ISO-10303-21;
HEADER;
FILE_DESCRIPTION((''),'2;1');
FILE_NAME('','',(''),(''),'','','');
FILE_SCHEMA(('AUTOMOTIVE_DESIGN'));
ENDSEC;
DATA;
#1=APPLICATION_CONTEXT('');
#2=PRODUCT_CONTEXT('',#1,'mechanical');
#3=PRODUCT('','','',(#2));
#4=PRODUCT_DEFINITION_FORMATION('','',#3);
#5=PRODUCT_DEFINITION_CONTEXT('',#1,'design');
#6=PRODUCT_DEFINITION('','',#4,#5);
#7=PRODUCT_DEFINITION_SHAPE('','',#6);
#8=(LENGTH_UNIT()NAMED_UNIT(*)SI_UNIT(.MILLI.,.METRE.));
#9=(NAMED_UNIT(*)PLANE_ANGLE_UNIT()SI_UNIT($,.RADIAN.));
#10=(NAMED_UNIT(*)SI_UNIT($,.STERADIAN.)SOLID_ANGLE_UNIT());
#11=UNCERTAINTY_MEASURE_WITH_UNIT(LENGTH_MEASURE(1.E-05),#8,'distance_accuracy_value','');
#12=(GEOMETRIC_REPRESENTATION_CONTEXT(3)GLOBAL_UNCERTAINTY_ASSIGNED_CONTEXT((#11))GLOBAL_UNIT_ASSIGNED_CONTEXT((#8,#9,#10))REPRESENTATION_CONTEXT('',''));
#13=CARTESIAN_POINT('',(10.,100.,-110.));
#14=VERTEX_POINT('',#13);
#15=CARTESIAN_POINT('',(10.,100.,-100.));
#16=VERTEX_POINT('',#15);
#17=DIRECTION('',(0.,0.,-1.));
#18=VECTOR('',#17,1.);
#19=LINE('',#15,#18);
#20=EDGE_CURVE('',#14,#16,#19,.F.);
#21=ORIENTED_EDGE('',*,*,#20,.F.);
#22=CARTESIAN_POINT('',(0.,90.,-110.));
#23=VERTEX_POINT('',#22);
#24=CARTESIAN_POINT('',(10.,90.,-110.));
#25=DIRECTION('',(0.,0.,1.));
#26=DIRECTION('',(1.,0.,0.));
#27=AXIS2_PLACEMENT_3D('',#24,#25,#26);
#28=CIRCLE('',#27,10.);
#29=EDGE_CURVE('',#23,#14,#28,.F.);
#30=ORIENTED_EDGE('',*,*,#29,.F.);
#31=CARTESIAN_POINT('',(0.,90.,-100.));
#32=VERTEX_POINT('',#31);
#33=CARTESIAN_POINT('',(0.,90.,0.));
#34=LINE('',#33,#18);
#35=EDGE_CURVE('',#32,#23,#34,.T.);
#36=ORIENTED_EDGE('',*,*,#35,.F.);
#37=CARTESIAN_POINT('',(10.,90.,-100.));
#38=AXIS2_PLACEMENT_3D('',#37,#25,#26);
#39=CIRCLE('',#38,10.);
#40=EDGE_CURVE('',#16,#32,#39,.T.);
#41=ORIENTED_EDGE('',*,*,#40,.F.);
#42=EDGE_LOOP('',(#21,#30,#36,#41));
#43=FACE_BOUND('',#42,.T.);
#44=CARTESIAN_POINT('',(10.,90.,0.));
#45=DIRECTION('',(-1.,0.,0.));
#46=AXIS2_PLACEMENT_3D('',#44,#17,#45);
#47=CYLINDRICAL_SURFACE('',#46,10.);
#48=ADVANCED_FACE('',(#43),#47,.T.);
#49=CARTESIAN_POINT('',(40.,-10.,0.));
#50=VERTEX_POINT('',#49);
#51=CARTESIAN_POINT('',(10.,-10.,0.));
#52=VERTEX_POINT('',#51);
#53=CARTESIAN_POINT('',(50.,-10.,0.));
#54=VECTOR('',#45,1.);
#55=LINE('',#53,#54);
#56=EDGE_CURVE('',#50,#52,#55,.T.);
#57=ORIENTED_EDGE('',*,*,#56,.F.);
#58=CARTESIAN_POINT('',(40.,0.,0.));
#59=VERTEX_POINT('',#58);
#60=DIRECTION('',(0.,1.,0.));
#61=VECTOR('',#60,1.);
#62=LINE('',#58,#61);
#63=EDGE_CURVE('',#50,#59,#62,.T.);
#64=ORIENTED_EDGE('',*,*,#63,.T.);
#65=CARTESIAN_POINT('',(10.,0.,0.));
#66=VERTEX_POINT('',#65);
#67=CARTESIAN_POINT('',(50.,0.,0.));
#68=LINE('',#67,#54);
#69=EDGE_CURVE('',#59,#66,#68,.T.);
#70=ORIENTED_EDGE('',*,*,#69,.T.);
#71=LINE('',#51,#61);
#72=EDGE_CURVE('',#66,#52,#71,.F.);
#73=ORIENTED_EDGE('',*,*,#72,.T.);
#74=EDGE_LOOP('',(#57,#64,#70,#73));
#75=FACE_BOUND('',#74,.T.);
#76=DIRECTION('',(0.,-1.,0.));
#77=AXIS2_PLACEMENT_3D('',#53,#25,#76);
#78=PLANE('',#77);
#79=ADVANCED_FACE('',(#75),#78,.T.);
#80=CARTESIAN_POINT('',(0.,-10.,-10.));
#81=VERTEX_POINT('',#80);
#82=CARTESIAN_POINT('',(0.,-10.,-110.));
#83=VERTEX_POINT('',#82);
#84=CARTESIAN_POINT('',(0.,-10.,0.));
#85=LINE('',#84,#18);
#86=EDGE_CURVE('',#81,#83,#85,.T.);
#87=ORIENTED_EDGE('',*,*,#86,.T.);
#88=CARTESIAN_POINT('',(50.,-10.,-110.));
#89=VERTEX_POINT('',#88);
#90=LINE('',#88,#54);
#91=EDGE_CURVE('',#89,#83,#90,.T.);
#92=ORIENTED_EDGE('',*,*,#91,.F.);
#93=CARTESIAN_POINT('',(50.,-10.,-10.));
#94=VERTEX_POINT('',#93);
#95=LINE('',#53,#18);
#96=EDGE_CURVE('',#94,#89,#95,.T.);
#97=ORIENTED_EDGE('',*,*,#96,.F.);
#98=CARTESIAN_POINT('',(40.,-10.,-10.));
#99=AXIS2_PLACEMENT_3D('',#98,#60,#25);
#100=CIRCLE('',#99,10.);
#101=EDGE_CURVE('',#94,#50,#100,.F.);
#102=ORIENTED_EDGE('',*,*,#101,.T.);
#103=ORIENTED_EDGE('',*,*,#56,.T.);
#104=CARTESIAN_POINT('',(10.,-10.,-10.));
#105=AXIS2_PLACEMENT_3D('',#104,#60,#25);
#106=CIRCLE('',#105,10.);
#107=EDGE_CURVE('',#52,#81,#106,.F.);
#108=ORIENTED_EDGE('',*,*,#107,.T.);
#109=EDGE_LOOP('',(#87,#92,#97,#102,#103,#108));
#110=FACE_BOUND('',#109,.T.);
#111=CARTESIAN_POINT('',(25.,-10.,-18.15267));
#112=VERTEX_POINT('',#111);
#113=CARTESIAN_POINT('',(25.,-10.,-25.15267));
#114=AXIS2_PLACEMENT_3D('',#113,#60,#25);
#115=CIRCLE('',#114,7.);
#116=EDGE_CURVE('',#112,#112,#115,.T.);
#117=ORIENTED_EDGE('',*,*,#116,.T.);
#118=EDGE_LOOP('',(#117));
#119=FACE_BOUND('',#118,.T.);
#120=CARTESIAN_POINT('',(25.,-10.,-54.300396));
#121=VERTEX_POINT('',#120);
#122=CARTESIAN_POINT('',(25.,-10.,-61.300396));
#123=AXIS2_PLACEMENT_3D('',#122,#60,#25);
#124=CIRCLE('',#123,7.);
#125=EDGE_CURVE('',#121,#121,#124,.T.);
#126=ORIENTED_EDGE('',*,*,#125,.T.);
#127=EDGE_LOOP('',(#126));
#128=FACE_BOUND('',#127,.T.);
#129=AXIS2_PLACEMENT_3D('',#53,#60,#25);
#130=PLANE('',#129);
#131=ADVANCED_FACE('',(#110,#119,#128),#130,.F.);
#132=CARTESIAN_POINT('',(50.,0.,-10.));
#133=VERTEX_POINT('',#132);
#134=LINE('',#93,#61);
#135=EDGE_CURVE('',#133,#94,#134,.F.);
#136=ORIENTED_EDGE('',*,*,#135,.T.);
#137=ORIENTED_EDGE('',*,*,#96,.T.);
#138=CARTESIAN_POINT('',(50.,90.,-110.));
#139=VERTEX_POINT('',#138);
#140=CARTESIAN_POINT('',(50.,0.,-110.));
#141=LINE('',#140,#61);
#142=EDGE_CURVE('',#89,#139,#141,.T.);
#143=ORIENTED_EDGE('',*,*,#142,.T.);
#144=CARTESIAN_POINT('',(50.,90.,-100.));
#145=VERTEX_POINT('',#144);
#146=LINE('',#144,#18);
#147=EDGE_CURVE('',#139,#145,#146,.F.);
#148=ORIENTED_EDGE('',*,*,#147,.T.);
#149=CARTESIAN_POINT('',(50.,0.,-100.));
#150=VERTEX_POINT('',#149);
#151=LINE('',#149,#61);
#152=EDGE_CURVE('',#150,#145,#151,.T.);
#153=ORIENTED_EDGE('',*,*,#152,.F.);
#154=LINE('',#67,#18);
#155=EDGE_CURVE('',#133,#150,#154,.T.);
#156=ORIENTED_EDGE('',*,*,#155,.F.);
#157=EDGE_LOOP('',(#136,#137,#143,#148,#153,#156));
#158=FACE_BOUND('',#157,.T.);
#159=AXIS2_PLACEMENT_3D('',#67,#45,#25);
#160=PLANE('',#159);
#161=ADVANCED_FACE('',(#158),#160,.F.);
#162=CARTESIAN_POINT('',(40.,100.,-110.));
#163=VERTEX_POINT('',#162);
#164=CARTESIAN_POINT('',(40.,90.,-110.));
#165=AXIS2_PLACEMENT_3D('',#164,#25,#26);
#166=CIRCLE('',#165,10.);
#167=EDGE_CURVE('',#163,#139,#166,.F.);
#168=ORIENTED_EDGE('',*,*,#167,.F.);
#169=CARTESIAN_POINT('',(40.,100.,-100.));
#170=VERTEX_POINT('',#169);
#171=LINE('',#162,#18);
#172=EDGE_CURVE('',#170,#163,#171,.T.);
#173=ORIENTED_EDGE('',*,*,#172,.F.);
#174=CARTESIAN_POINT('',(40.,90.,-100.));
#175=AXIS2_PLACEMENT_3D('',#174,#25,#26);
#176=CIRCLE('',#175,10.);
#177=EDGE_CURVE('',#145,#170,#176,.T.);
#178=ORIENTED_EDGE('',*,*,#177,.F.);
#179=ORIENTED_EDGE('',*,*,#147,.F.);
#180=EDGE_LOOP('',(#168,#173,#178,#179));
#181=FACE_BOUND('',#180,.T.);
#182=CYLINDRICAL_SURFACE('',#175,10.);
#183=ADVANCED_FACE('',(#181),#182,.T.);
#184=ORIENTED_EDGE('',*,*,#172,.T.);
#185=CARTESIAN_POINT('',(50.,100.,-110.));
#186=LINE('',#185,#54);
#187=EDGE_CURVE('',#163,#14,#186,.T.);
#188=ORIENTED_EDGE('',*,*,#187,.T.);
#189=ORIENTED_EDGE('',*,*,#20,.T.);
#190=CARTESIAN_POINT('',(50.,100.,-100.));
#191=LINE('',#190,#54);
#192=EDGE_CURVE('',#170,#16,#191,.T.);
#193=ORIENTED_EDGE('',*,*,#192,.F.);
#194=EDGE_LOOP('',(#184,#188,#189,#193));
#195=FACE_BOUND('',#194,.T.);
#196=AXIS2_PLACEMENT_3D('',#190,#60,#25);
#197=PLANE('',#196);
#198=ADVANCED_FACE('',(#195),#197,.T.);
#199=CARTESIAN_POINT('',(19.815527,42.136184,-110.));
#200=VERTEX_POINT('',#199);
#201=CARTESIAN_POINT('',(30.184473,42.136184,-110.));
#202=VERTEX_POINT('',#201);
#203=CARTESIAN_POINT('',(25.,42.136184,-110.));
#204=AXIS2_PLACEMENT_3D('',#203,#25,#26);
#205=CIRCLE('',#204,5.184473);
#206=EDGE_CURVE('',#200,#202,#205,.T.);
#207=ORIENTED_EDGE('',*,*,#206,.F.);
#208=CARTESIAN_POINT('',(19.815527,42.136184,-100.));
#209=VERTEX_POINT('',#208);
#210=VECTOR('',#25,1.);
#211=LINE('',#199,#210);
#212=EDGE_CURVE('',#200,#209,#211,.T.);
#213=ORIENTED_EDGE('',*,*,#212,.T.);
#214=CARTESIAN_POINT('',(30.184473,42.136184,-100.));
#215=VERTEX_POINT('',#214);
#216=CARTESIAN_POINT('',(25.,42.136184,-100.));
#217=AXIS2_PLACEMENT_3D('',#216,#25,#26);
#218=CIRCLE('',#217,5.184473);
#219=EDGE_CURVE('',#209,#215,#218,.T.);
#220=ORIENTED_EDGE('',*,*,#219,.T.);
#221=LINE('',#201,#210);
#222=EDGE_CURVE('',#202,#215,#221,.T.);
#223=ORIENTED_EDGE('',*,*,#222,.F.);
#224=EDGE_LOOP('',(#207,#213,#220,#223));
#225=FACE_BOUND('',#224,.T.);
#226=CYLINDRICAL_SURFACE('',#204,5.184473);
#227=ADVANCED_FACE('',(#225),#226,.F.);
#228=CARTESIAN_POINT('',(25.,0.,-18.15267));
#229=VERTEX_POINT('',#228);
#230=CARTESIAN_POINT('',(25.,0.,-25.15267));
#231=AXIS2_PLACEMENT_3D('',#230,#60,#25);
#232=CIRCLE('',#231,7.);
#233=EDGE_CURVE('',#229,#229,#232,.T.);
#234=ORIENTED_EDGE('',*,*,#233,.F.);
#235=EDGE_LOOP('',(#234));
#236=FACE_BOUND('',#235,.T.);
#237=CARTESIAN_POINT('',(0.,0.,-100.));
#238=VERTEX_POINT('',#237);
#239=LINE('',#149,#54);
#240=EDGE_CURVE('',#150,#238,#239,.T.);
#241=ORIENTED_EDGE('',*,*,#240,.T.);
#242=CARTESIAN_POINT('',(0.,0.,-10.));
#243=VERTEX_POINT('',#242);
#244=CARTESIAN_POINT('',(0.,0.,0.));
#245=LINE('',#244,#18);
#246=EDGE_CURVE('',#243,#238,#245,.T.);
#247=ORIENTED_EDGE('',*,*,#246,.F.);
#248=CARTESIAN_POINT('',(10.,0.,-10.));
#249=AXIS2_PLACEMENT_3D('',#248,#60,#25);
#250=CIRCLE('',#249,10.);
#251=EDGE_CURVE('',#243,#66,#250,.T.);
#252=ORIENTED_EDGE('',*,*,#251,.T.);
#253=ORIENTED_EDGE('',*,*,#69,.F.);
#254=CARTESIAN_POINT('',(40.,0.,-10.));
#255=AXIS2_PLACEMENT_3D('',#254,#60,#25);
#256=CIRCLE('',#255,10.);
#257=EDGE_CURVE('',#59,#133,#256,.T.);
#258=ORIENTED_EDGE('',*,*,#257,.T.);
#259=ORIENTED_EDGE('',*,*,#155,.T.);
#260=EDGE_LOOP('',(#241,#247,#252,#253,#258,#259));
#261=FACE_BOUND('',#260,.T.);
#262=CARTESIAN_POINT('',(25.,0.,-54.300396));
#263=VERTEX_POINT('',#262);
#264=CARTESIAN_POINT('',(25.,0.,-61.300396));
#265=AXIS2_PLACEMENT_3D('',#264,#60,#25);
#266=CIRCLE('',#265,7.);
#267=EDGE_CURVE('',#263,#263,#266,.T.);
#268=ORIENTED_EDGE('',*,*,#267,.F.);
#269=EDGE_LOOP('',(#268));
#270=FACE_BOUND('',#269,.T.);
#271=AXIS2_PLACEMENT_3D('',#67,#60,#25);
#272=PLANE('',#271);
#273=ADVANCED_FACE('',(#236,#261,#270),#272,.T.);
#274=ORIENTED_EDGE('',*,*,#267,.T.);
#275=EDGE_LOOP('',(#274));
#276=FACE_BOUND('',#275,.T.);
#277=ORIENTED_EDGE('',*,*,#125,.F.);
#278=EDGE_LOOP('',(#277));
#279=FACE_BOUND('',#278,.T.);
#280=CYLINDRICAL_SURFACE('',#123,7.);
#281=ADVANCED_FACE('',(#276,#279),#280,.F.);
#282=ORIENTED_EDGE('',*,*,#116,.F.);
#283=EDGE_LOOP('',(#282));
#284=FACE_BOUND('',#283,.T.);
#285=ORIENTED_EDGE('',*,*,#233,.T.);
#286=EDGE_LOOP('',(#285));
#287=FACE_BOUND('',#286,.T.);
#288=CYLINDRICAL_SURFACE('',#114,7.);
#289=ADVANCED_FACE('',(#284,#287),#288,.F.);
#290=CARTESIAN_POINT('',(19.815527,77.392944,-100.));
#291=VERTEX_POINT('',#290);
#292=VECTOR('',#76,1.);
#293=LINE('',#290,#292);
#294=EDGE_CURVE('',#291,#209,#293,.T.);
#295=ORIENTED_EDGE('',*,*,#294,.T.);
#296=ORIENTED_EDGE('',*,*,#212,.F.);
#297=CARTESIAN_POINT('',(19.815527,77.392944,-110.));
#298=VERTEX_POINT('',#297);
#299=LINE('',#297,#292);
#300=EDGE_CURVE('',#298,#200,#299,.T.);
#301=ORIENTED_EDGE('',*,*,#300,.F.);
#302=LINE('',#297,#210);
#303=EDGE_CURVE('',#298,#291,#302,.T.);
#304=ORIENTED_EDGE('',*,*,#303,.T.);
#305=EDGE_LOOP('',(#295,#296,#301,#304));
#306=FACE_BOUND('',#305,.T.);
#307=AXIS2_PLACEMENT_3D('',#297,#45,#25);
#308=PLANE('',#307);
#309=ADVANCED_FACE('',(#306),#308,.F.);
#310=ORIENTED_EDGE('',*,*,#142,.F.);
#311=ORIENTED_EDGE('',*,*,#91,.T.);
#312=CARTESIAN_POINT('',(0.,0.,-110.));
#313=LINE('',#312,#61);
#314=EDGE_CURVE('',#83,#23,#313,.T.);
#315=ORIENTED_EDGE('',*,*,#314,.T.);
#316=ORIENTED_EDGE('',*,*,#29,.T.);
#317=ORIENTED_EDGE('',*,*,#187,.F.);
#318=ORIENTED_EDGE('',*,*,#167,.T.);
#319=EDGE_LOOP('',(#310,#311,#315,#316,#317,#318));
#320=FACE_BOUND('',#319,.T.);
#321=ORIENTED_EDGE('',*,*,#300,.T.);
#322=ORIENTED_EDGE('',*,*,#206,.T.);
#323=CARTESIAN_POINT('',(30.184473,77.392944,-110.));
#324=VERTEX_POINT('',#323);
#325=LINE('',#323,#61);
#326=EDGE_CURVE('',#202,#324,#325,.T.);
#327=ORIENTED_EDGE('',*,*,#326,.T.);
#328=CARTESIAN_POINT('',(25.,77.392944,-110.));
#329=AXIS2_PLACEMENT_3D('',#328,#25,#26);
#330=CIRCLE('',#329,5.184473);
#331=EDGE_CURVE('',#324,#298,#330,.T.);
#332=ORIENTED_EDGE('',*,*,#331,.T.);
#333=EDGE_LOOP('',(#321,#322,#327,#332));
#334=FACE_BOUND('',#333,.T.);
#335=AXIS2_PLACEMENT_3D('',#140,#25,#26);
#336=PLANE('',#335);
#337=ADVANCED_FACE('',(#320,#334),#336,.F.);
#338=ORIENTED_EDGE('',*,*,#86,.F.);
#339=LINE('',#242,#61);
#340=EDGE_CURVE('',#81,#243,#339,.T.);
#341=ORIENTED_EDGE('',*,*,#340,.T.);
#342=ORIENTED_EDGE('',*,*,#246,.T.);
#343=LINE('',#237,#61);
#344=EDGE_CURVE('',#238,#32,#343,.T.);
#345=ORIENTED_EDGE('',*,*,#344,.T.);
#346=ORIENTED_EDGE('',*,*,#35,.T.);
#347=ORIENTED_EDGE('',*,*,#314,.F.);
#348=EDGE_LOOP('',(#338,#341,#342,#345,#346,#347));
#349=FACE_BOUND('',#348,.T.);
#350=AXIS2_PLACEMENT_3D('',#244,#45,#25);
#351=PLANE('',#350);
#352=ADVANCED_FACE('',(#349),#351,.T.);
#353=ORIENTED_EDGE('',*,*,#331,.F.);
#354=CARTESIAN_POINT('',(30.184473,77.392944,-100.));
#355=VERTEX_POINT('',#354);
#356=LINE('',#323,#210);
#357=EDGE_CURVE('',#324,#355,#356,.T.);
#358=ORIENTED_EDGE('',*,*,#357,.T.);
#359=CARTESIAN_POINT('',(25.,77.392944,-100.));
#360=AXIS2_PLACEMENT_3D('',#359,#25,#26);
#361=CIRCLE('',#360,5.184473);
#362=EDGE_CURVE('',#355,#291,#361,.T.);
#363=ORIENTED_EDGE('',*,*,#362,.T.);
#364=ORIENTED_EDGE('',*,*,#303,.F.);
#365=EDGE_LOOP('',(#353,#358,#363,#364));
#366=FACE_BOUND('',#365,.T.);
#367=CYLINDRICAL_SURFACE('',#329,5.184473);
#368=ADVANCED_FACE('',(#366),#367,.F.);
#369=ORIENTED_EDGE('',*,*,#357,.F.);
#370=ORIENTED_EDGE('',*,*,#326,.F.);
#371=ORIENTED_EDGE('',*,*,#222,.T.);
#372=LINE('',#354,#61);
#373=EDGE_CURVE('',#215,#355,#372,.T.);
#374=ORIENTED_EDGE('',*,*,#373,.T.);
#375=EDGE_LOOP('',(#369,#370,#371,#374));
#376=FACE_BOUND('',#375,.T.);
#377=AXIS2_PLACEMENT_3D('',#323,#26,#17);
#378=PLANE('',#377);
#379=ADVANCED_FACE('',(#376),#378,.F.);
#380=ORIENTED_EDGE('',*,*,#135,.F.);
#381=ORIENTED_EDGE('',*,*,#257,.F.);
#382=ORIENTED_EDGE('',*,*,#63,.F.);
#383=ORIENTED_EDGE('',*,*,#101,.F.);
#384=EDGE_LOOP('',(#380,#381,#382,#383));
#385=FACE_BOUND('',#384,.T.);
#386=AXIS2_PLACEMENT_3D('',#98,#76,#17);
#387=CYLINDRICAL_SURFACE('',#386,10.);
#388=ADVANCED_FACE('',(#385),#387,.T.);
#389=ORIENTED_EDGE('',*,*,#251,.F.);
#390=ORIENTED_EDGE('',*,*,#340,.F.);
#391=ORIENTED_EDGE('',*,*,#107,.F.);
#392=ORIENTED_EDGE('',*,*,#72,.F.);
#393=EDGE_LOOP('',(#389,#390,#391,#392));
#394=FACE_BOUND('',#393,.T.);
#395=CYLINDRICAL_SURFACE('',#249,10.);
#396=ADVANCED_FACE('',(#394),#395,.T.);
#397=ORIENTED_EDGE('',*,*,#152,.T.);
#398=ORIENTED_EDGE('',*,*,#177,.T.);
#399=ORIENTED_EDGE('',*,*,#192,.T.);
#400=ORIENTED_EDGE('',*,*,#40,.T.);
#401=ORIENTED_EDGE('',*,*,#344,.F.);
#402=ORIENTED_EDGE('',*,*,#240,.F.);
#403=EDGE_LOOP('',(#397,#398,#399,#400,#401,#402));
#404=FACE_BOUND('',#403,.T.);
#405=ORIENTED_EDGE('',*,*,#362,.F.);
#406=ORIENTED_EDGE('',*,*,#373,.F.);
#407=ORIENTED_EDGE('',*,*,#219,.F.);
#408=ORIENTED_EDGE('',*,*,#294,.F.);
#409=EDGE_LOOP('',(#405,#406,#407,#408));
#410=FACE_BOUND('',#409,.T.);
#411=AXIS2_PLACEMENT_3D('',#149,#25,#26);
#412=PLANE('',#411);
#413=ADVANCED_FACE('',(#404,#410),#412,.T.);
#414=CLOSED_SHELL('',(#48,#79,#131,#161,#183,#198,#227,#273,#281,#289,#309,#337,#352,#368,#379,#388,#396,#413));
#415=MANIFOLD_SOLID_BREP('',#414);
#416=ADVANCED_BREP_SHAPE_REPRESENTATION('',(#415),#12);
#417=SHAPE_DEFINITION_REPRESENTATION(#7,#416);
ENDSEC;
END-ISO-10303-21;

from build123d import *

# Parameters (mm, degrees)
EXTRUDE_THIN1_DEPTH = 50
FILLET1_R           = 10
CUT_EXTRUDE1_DEPTH  = 10
SKETCH3_R           = 7
CUT_EXTRUDE2_DEPTH  = 10


with BuildPart() as part:
    # Sketch1 → Extrude-Thin1 (new body)
    with BuildSketch(Plane(origin=(0, 0, 0), x_dir=(0, 0, -1), z_dir=(1, 0, 0))):
        Polygon((0, 0), (100, 0), (100, 100), (110, 100), (110, -10), (0, -10), align=None)
    extrude(amount=EXTRUDE_THIN1_DEPTH)

    # Fillet1
    fillet1_edges = [part.edges().sort_by_distance(p)[0] for p in [
        (50, -5, 0),
        (0, -5, 0),
        (0, 100, -105),
        (50, 100, -105),
    ]]
    fillet(fillet1_edges, radius=FILLET1_R)

    # Sketch2 → Cut-Extrude1 (cut)
    with BuildSketch(Plane.XY.offset(-100)):
        with BuildLine():
            Line((30.184472994, 77.392944228), (30.184472994, 42.136183713))
            ThreePointArc((30.184472994, 42.136183713), (25, 36.951710719), (19.815527006, 42.136183713))
            Line((19.815527006, 42.136183713), (19.815527006, 77.392944228))
            ThreePointArc((19.815527006, 77.392944228), (25, 82.577417222), (30.184472994, 77.392944228))
        make_face()
    extrude(amount=-CUT_EXTRUDE1_DEPTH, mode=Mode.SUBTRACT)

    # Sketch3 → Cut-Extrude2 (cut)
    with BuildSketch(Plane(origin=(0, 0, 0), x_dir=(1, 0, 0), z_dir=(0, 1, 0))):
        with Locations(Location((25, 25.15267025, 0), (0, 0, 270))):
            Circle(SKETCH3_R)
        with Locations(Location((25, 61.300395832, 0), (0, 0, 270))):
            Circle(SKETCH3_R)
    extrude(amount=-CUT_EXTRUDE2_DEPTH, mode=Mode.SUBTRACT)


solid = part.part
